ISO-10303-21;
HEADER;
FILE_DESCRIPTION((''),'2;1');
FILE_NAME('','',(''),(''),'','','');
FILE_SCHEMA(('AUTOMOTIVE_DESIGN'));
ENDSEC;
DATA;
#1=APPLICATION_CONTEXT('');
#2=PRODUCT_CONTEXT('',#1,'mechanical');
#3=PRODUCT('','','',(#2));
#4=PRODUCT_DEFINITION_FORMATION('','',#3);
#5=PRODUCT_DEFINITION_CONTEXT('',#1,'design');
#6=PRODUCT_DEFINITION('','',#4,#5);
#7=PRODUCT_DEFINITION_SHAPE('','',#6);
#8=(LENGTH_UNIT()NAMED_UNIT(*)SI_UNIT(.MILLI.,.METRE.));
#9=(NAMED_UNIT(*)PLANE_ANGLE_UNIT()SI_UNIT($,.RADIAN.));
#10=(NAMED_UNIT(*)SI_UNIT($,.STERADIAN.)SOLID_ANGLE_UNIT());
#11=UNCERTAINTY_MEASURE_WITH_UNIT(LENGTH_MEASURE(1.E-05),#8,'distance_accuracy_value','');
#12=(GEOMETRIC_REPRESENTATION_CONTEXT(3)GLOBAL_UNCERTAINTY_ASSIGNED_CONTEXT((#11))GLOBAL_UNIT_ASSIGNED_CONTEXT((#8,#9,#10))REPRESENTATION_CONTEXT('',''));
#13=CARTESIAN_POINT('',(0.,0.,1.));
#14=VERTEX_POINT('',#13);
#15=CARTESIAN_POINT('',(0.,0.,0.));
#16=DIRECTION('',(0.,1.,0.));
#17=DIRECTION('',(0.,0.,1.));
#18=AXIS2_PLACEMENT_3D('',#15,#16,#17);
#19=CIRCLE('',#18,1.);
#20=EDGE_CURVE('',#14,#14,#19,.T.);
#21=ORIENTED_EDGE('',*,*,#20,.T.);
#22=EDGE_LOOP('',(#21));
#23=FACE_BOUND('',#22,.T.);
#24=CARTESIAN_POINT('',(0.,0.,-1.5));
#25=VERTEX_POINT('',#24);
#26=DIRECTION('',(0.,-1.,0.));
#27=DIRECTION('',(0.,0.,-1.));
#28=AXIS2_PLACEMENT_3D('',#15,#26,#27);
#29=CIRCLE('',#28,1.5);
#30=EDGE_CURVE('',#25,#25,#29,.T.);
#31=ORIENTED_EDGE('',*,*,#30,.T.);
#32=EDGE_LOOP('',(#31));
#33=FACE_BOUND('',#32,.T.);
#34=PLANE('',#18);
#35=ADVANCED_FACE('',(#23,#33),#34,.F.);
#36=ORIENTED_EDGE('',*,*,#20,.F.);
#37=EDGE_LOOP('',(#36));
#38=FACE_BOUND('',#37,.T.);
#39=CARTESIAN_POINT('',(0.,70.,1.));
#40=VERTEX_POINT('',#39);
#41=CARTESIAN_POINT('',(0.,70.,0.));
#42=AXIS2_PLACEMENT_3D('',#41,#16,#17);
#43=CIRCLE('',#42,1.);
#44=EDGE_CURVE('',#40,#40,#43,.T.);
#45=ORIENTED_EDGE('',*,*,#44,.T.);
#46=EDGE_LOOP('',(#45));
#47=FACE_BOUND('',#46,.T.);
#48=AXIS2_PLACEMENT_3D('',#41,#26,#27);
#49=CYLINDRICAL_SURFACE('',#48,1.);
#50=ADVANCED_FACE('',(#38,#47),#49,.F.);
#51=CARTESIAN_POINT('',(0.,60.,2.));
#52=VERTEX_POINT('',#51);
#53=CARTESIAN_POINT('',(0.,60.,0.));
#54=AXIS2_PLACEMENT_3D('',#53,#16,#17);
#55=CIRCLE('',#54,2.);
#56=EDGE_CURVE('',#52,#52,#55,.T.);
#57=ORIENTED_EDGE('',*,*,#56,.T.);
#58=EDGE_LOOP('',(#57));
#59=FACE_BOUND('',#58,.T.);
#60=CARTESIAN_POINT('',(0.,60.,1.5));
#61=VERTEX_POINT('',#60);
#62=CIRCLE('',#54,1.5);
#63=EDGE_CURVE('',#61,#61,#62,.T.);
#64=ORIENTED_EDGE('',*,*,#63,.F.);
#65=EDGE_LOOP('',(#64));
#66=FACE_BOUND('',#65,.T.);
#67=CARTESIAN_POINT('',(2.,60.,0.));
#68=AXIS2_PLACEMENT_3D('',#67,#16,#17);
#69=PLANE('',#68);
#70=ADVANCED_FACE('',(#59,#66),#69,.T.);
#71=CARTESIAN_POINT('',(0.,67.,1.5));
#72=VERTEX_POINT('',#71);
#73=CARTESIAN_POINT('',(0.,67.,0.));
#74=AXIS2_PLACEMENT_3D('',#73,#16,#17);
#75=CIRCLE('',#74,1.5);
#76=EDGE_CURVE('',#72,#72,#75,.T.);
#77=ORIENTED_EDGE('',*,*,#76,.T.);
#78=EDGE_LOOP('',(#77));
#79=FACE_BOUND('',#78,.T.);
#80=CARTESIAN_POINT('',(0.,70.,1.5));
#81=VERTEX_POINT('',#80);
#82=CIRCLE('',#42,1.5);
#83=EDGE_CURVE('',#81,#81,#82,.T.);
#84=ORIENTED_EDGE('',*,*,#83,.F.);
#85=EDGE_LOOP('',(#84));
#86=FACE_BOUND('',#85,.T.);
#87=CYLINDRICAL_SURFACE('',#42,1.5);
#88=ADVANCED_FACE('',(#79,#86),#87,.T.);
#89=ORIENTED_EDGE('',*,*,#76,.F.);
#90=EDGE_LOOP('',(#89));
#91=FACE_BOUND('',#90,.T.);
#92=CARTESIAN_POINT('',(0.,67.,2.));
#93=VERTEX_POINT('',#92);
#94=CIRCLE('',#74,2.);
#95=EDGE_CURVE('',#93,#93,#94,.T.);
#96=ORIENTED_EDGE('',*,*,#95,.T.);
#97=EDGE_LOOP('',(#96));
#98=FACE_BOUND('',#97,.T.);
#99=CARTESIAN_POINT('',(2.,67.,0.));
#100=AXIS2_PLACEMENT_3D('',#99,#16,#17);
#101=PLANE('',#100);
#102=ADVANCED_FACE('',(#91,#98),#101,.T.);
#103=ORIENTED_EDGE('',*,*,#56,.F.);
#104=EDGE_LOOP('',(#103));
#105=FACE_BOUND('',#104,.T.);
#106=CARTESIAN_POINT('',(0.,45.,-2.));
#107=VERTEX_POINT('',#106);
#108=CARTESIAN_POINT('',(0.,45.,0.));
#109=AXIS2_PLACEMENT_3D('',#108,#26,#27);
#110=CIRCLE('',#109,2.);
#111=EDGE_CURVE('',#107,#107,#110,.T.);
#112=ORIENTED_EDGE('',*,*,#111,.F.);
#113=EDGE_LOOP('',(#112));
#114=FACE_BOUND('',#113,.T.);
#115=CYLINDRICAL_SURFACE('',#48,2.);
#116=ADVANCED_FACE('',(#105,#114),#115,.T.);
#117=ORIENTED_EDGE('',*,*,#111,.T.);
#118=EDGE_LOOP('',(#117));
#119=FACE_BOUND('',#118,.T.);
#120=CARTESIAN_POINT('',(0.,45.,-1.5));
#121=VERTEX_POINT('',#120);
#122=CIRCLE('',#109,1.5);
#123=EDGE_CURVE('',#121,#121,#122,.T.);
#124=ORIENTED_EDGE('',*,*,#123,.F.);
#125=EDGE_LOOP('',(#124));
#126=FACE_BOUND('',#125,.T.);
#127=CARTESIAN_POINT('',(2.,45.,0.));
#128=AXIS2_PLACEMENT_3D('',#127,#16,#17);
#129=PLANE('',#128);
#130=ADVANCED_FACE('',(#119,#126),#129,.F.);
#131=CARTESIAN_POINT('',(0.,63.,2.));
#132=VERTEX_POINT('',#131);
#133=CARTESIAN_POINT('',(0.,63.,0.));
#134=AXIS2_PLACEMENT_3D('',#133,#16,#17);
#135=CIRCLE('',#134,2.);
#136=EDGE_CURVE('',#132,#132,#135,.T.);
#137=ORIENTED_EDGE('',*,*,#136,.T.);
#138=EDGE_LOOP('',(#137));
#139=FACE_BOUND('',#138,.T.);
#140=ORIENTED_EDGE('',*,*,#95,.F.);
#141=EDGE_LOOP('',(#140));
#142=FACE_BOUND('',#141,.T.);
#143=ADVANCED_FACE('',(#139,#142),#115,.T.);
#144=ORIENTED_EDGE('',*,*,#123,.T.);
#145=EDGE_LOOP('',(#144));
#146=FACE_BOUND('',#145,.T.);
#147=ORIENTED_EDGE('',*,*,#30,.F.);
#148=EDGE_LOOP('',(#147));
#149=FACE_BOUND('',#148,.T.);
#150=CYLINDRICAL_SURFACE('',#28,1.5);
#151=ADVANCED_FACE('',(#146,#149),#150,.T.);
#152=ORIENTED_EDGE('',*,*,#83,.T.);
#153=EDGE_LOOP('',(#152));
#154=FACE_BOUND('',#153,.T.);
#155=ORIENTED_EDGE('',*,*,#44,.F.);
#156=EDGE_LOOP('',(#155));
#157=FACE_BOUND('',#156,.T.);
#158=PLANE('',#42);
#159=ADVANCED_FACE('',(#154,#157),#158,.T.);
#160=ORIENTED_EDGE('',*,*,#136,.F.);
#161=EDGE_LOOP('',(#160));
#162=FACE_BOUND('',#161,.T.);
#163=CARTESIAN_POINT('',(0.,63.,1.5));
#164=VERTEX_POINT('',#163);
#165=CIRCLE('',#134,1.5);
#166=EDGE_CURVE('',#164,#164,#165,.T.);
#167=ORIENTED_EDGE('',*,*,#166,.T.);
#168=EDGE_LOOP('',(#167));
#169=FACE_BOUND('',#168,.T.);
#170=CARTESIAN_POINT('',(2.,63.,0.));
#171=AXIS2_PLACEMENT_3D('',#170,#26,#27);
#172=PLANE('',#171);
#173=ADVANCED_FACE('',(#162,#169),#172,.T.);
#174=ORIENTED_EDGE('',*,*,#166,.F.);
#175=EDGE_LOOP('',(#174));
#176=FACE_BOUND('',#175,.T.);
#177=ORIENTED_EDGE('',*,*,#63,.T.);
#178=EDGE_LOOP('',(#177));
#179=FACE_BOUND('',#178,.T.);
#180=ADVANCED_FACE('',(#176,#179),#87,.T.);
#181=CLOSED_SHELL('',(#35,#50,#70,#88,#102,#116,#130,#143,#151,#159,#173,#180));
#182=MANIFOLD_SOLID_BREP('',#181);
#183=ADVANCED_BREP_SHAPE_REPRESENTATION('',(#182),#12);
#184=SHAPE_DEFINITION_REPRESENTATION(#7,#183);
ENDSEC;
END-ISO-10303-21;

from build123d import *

# Parameters (mm, degrees)
SKETCH_1_R      = 2
SKETCH_1_R_2    = 1
EXTRUDE_1_DEPTH = 70
SKETCH_2_W      = 0.5
SKETCH_2_H      = 3
SKETCH_3_W      = 0.5
SKETCH_3_H      = 45


with BuildPart() as part:
    # Эскиз1 → Бобышка-Вытянуть1 (new body)
    with BuildSketch(Plane(origin=(0, 0, 0), x_dir=(1, 0, 0), z_dir=(0, 1, 0))):
        Circle(SKETCH_1_R)
        Circle(SKETCH_1_R_2, mode=Mode.SUBTRACT)
    extrude(amount=EXTRUDE_1_DEPTH)

    # Эскиз2 → Вырез-Повернуть1 (revolve, cut)
    with BuildSketch(Plane.XY):
        with Locations((1.75, 68.5)):
            Rectangle(SKETCH_2_W, SKETCH_2_H)
        with Locations((1.75, 61.5)):
            Rectangle(SKETCH_2_W, SKETCH_2_H)
    revolve(axis=Axis((0, 70, 0), (0, -1, 0)), mode=Mode.SUBTRACT)

    # Эскиз3 → Вырез-Повернуть2 (revolve, cut)
    with BuildSketch(Plane.XY):
        with Locations((1.75, 22.5)):
            Rectangle(SKETCH_3_W, SKETCH_3_H)
    revolve(axis=Axis((0, 0, 0), (0, 1, 0)), mode=Mode.SUBTRACT)


solid = part.part
